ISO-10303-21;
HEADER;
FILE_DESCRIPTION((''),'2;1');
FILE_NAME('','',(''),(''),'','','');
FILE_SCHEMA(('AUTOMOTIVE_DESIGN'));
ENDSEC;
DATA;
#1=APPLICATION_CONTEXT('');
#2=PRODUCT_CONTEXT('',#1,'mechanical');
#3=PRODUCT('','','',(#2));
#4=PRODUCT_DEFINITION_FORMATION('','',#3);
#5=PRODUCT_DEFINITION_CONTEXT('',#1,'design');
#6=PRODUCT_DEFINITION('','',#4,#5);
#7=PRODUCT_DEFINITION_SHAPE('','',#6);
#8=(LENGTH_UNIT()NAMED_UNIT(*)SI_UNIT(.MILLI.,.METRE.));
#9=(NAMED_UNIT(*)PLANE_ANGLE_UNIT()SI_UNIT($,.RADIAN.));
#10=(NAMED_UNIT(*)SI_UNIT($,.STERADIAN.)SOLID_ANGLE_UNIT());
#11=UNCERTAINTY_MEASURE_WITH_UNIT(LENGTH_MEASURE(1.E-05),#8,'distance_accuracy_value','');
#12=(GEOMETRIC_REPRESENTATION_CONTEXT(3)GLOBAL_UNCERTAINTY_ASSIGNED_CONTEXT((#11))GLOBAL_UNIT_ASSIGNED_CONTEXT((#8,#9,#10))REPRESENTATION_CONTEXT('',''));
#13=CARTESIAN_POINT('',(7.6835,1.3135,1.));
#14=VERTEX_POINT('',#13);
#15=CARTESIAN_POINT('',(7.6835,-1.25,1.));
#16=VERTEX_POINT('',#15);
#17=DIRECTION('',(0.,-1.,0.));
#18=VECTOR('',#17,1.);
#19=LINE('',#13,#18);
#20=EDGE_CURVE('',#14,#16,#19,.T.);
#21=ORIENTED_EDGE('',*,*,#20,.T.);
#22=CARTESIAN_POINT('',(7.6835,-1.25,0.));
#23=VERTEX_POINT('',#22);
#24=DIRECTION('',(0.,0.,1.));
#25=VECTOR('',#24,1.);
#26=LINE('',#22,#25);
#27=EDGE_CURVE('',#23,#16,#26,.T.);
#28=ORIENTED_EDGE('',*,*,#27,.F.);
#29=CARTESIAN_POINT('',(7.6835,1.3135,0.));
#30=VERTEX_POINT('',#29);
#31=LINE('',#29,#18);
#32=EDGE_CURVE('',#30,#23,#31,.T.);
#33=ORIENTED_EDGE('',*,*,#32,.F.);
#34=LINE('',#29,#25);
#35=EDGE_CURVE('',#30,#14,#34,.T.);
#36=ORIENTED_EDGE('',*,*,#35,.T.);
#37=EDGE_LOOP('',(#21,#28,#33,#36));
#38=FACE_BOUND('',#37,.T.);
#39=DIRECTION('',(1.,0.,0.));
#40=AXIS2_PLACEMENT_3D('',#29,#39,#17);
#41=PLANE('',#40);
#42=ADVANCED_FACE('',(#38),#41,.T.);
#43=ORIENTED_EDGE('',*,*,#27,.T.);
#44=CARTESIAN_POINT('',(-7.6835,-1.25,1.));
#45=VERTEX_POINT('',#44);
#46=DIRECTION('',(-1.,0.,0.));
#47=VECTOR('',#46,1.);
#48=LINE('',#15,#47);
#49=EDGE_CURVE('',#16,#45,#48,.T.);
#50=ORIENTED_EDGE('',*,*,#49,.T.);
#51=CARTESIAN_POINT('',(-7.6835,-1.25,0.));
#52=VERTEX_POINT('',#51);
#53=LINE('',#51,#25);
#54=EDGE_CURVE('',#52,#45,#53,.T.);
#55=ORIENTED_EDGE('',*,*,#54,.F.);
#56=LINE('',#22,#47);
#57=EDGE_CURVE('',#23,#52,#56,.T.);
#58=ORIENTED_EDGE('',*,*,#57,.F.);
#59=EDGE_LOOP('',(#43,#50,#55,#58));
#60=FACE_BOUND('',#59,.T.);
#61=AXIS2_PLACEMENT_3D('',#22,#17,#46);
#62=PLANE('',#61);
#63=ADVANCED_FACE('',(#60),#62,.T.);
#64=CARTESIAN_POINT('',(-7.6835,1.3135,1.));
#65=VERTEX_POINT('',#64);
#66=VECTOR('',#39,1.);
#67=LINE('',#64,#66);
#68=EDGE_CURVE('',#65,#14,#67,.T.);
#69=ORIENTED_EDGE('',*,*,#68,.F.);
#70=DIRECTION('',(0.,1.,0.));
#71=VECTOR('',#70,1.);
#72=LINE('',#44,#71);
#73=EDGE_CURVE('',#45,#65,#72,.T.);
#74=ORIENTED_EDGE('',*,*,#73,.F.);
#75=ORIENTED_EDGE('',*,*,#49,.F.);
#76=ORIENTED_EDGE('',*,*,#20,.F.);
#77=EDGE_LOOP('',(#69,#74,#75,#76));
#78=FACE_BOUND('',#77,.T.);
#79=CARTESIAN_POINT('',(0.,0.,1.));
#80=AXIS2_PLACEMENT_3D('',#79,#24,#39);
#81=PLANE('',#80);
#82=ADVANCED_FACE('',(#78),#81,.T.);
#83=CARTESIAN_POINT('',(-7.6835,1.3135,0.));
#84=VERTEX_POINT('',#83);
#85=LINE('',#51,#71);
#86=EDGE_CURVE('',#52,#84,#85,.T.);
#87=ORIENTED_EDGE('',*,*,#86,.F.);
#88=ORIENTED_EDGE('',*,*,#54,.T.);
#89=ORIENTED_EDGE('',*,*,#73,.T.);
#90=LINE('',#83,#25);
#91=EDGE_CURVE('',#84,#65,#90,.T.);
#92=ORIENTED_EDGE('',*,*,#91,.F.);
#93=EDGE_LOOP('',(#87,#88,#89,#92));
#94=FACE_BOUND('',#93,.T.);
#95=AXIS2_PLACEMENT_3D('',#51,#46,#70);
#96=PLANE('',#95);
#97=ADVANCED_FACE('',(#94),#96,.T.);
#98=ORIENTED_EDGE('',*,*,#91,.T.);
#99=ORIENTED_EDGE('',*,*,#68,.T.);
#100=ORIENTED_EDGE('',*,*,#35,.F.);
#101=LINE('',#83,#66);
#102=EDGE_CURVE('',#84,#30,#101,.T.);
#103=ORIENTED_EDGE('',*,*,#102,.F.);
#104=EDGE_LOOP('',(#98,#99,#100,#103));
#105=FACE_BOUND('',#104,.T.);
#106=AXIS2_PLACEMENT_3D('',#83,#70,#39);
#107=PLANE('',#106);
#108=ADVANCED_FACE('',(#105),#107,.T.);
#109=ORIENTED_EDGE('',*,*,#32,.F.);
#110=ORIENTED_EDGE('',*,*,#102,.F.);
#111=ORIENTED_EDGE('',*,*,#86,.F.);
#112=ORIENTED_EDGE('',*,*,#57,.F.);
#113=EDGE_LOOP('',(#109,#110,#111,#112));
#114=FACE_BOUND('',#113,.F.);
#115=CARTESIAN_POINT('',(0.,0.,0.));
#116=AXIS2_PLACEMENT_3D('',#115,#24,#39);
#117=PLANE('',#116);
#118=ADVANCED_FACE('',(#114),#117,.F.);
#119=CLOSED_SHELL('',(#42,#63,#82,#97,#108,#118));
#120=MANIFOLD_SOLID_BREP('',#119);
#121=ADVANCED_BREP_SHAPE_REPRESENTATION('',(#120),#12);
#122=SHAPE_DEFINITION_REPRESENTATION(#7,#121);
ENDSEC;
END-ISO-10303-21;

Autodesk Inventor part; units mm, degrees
ref_plane "YZ Plane" through (0, 0, 0) normal (1, 0, 0) x (0, 1, 0)
ref_plane "XZ Plane" through (0, 0, 0) normal (0, 1, 0) x (-1, 0, 0)
ref_plane "XY Plane" through (0, 0, 0) normal (0, 0, 1) x (1, 0, 0)
sketch "1X06-SMD, PROGRAM_35" plane through (0, 0, 0) normal (0, 0, 1) x (1, 0, 0)
  line L0 (-7.6835, 1.3135) -> (7.6835, 1.3135)
  line L1 (7.6835, 1.3135) -> (7.6835, -1.25)
  line L2 (7.6835, -1.25) -> (-7.6835, -1.25)
  line L3 (-7.6835, -1.25) -> (-7.6835, 1.3135)
extrude "Extrusion1" add sketch "1X06-SMD, PROGRAM_35" along normal blind 1
properties part number "PROGRAM"
